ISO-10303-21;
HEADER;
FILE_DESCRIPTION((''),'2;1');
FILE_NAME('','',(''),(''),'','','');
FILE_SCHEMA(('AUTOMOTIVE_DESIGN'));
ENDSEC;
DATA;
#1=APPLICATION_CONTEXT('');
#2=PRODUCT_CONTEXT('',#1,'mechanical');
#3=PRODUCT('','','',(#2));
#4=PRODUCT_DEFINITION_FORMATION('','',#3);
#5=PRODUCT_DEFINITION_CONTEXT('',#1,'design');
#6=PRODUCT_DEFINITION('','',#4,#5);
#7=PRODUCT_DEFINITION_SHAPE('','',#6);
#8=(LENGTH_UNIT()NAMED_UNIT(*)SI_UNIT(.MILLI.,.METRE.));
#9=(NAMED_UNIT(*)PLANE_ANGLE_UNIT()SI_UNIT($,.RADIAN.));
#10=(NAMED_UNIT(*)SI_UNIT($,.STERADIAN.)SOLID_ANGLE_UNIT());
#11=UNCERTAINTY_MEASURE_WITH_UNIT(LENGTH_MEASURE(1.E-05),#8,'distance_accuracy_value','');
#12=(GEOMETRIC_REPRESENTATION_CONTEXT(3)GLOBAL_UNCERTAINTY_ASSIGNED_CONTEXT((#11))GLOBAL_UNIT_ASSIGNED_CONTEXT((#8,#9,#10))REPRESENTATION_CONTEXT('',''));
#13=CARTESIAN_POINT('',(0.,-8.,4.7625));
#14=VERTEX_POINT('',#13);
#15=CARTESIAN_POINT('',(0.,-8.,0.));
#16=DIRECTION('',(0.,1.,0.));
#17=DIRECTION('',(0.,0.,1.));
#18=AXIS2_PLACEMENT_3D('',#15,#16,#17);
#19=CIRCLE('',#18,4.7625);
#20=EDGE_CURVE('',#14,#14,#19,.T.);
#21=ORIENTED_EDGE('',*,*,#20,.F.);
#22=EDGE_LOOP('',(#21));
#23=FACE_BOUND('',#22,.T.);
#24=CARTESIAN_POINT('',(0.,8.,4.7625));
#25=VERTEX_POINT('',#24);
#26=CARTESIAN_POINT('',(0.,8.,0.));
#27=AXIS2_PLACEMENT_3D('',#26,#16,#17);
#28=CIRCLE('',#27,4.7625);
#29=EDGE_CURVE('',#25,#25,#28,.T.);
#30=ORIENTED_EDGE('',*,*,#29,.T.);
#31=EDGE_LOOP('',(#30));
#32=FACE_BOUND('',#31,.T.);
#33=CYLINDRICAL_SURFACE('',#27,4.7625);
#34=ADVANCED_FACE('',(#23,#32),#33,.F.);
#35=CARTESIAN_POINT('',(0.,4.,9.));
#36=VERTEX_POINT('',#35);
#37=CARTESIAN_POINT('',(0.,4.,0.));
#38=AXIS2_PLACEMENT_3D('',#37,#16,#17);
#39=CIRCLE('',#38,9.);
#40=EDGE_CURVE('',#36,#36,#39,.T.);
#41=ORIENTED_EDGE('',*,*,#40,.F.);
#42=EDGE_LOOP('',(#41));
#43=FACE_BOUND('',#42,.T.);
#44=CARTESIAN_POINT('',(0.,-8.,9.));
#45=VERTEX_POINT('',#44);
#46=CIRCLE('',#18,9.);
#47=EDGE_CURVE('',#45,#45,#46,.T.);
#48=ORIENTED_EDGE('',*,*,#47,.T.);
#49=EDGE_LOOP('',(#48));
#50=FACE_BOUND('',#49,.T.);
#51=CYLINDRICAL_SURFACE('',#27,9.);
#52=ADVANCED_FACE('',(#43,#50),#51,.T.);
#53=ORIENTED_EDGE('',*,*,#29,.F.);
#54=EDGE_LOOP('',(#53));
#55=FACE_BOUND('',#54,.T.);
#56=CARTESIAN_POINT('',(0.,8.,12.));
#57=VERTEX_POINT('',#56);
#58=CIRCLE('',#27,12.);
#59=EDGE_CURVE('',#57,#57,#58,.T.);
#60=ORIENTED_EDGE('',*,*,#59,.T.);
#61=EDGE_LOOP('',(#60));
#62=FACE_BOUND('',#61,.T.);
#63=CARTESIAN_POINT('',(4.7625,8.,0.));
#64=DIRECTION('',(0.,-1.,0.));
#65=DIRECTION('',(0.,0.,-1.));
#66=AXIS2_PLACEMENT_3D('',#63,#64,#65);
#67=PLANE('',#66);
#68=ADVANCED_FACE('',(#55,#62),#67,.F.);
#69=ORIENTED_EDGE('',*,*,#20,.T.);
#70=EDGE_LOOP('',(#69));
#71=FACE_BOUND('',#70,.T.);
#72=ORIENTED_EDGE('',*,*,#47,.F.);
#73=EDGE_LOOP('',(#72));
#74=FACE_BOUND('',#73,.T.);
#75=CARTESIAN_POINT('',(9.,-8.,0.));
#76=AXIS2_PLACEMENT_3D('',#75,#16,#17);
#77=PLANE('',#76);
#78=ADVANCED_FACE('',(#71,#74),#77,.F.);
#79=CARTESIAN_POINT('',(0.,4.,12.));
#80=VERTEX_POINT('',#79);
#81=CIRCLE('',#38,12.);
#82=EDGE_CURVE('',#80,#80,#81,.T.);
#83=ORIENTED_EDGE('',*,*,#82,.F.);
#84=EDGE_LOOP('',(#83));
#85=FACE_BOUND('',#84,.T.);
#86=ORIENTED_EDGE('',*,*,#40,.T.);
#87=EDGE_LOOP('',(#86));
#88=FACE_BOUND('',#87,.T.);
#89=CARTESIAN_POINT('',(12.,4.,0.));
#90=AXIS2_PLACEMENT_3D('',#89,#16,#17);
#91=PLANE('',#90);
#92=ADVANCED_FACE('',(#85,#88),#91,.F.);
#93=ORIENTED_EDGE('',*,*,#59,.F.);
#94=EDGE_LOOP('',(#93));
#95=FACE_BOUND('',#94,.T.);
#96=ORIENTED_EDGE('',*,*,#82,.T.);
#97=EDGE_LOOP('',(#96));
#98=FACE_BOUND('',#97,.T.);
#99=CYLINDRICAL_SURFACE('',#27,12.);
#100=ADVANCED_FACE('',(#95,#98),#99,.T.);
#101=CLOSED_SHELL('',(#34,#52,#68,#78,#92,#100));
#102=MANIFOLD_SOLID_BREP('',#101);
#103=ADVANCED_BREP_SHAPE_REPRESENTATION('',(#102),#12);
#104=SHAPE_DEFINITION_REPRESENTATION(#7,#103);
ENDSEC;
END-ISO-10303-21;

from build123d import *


with BuildPart() as part:
    # Esboço1 → Revolução1 (revolve)
    with BuildSketch(Plane.XY, mode=Mode.PRIVATE) as revolu_o1_sk:
        Polygon((4.7625, 8), (12, 8), (12, 4), (9, 4), (9, -8), (4.7625, -8), align=None)
    revolve(revolu_o1_sk.sketch.rotate(Axis((0, 8, 0), (0, -1, 0)), 90), axis=Axis((0, 8, 0), (0, -1, 0)))  # turned: the seam where the file's is


solid = part.part
